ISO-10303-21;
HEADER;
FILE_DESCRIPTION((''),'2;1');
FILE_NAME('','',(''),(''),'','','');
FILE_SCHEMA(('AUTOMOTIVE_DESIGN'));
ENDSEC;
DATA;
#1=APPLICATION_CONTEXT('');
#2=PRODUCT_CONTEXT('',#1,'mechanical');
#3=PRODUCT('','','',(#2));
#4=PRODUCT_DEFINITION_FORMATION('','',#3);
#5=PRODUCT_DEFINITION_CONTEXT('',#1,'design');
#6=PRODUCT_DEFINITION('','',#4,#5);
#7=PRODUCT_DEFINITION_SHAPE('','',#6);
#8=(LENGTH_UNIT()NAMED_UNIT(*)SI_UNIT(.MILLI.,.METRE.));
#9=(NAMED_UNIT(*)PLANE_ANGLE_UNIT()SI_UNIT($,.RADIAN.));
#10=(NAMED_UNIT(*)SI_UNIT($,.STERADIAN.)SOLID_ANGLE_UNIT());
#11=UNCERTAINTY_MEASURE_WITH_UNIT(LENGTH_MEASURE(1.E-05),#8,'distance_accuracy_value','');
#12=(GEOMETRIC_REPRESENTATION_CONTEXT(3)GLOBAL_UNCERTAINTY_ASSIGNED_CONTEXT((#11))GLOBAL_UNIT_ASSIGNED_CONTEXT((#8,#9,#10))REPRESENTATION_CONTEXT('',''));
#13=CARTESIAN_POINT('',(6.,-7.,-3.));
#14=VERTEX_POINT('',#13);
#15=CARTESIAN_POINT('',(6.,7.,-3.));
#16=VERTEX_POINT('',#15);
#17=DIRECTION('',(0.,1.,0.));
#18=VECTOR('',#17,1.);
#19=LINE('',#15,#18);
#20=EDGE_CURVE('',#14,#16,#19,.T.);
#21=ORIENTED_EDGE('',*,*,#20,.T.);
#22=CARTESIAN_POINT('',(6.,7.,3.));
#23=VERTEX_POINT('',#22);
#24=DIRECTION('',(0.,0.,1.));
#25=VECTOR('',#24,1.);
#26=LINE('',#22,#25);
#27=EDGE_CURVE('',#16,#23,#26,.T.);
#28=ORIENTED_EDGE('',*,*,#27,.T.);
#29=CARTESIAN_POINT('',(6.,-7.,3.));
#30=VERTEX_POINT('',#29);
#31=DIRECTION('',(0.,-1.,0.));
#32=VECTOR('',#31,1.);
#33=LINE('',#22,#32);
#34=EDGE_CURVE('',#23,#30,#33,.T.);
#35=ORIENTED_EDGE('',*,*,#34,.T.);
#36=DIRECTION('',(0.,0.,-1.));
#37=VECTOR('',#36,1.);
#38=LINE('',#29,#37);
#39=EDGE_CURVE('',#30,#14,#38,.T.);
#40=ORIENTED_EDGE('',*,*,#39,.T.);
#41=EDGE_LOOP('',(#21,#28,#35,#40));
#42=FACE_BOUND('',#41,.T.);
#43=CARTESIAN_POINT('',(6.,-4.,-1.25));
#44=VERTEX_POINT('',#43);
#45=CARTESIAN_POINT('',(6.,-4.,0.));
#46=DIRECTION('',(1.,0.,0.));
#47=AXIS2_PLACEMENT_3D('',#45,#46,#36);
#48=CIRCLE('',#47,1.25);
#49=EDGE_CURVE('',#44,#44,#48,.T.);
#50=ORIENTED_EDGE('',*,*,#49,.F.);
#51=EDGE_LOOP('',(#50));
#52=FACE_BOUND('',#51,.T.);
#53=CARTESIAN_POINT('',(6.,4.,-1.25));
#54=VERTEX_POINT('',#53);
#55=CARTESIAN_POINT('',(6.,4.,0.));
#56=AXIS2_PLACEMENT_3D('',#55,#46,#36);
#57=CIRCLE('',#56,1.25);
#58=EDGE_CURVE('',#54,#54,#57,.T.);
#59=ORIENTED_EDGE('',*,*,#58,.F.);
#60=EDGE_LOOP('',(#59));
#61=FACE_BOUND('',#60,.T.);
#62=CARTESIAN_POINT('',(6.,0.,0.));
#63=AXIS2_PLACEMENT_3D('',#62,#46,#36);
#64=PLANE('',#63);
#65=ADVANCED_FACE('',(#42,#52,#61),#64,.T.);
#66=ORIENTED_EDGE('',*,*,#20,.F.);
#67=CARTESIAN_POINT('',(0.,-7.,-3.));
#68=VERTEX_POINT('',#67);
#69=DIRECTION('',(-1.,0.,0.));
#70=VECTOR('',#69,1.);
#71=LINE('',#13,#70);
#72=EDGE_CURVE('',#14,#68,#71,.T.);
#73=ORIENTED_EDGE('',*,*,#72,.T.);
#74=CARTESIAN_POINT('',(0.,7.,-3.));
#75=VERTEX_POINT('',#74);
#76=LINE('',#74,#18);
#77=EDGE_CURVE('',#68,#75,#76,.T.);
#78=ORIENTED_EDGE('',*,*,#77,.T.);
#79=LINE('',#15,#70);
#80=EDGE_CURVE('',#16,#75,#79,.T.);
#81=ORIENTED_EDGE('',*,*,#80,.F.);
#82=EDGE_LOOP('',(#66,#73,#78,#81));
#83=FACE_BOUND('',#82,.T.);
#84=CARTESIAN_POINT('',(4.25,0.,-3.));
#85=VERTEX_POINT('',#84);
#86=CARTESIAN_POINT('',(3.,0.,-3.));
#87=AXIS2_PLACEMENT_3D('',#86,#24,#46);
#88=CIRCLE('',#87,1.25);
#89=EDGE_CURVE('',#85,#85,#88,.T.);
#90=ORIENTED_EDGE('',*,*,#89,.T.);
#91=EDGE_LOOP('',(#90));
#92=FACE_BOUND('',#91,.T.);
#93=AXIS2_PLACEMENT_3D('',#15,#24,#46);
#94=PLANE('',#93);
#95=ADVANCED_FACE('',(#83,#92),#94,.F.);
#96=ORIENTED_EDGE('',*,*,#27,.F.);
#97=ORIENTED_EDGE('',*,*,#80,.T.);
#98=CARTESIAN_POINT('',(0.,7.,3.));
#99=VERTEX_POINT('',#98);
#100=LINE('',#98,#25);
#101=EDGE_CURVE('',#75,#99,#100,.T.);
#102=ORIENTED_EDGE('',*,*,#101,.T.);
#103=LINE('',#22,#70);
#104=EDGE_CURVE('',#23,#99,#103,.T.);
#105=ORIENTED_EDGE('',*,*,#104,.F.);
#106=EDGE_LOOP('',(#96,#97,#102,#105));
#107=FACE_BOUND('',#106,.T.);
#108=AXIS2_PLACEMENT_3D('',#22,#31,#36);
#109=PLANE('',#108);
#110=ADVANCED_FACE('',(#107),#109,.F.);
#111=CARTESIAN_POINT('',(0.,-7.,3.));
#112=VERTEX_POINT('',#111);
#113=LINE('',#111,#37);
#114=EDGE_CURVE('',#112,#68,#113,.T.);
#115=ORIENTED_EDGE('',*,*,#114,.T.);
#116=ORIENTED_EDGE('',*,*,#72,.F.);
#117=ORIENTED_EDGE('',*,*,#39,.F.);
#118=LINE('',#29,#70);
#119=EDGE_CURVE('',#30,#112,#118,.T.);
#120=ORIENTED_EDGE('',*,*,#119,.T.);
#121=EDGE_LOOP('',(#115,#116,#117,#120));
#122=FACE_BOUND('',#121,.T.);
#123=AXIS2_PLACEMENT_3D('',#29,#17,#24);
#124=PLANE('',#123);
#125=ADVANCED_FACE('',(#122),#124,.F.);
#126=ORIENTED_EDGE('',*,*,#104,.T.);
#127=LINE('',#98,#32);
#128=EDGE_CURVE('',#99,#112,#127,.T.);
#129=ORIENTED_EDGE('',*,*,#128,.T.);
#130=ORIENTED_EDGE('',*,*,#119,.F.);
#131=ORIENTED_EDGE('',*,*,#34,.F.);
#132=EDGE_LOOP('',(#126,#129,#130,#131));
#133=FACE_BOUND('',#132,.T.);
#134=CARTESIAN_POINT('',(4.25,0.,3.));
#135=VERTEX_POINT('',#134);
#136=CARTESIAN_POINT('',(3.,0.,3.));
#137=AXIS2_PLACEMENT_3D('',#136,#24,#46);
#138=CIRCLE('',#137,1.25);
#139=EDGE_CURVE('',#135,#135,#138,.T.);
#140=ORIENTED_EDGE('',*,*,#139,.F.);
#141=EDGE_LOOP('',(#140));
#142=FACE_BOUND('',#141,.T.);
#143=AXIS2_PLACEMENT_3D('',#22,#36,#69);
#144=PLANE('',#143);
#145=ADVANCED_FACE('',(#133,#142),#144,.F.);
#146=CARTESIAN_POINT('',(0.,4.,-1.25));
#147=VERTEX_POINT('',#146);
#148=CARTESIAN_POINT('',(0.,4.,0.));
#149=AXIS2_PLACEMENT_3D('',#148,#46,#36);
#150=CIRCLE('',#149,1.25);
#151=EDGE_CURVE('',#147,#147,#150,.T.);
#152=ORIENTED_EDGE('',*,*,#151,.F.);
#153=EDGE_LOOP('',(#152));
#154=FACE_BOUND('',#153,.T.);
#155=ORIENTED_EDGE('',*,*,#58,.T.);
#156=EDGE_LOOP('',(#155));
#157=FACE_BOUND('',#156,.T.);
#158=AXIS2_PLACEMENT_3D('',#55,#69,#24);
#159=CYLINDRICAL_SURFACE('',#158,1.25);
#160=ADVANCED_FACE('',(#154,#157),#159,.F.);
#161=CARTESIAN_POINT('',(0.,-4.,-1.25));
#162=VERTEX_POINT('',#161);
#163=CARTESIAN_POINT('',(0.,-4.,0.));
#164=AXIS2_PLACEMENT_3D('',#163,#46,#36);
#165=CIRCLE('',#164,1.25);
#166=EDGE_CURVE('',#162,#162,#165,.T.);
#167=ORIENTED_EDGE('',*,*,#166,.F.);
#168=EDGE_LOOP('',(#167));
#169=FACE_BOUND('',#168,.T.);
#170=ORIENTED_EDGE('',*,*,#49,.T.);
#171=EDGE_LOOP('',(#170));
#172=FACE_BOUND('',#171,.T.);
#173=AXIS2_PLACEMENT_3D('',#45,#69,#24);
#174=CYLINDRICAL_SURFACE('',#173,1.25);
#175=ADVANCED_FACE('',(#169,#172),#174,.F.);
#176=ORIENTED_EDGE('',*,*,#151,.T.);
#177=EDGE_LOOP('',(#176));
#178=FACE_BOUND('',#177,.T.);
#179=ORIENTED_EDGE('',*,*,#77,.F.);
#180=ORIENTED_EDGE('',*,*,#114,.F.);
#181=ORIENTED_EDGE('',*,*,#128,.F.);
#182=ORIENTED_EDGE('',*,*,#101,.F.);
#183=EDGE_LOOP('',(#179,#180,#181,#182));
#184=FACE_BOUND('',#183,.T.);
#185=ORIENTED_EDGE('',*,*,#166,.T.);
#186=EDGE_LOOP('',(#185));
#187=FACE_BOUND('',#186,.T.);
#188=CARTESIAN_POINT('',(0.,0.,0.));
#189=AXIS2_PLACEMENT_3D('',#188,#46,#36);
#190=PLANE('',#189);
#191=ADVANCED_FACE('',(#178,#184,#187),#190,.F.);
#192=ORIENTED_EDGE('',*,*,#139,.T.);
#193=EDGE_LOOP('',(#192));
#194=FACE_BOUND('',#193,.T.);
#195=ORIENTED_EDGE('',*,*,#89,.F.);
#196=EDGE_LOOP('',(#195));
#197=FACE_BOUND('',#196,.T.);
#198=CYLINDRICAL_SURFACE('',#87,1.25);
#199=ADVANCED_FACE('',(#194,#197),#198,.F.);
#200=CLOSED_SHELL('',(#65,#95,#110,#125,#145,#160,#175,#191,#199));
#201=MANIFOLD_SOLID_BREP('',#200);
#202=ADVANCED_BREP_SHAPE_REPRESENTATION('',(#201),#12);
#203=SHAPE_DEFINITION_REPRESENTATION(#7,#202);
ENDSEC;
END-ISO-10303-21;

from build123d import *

# Parameters (mm, degrees)
SKETCH_1_W          = 6
SKETCH_1_H          = 14
SKETCH_1_R          = 1.25
EXTRUDE_1_DEPTH     = 6
SKETCH_2_R          = 1.25
CUT_EXTRUDE_1_DEPTH = 7


with BuildPart() as part:
    # 草图1 → 凸台-拉伸1 (new body)
    with BuildSketch(Plane(origin=(0, 0, 0), x_dir=(0, 0, -1), z_dir=(1, 0, 0))):
        Rectangle(SKETCH_1_W, SKETCH_1_H)
        with Locations((0, 4)):
            Circle(SKETCH_1_R, mode=Mode.SUBTRACT)
        with Locations((0, -4)):
            Circle(SKETCH_1_R, mode=Mode.SUBTRACT)
    extrude(amount=EXTRUDE_1_DEPTH)

    # 草图2 → 切除-拉伸1 (cut, through all)
    with BuildSketch(Plane.XY.offset(3)):
        with Locations((3, 0)):
            Circle(SKETCH_2_R)
    extrude(amount=-CUT_EXTRUDE_1_DEPTH, mode=Mode.SUBTRACT)


solid = part.part
